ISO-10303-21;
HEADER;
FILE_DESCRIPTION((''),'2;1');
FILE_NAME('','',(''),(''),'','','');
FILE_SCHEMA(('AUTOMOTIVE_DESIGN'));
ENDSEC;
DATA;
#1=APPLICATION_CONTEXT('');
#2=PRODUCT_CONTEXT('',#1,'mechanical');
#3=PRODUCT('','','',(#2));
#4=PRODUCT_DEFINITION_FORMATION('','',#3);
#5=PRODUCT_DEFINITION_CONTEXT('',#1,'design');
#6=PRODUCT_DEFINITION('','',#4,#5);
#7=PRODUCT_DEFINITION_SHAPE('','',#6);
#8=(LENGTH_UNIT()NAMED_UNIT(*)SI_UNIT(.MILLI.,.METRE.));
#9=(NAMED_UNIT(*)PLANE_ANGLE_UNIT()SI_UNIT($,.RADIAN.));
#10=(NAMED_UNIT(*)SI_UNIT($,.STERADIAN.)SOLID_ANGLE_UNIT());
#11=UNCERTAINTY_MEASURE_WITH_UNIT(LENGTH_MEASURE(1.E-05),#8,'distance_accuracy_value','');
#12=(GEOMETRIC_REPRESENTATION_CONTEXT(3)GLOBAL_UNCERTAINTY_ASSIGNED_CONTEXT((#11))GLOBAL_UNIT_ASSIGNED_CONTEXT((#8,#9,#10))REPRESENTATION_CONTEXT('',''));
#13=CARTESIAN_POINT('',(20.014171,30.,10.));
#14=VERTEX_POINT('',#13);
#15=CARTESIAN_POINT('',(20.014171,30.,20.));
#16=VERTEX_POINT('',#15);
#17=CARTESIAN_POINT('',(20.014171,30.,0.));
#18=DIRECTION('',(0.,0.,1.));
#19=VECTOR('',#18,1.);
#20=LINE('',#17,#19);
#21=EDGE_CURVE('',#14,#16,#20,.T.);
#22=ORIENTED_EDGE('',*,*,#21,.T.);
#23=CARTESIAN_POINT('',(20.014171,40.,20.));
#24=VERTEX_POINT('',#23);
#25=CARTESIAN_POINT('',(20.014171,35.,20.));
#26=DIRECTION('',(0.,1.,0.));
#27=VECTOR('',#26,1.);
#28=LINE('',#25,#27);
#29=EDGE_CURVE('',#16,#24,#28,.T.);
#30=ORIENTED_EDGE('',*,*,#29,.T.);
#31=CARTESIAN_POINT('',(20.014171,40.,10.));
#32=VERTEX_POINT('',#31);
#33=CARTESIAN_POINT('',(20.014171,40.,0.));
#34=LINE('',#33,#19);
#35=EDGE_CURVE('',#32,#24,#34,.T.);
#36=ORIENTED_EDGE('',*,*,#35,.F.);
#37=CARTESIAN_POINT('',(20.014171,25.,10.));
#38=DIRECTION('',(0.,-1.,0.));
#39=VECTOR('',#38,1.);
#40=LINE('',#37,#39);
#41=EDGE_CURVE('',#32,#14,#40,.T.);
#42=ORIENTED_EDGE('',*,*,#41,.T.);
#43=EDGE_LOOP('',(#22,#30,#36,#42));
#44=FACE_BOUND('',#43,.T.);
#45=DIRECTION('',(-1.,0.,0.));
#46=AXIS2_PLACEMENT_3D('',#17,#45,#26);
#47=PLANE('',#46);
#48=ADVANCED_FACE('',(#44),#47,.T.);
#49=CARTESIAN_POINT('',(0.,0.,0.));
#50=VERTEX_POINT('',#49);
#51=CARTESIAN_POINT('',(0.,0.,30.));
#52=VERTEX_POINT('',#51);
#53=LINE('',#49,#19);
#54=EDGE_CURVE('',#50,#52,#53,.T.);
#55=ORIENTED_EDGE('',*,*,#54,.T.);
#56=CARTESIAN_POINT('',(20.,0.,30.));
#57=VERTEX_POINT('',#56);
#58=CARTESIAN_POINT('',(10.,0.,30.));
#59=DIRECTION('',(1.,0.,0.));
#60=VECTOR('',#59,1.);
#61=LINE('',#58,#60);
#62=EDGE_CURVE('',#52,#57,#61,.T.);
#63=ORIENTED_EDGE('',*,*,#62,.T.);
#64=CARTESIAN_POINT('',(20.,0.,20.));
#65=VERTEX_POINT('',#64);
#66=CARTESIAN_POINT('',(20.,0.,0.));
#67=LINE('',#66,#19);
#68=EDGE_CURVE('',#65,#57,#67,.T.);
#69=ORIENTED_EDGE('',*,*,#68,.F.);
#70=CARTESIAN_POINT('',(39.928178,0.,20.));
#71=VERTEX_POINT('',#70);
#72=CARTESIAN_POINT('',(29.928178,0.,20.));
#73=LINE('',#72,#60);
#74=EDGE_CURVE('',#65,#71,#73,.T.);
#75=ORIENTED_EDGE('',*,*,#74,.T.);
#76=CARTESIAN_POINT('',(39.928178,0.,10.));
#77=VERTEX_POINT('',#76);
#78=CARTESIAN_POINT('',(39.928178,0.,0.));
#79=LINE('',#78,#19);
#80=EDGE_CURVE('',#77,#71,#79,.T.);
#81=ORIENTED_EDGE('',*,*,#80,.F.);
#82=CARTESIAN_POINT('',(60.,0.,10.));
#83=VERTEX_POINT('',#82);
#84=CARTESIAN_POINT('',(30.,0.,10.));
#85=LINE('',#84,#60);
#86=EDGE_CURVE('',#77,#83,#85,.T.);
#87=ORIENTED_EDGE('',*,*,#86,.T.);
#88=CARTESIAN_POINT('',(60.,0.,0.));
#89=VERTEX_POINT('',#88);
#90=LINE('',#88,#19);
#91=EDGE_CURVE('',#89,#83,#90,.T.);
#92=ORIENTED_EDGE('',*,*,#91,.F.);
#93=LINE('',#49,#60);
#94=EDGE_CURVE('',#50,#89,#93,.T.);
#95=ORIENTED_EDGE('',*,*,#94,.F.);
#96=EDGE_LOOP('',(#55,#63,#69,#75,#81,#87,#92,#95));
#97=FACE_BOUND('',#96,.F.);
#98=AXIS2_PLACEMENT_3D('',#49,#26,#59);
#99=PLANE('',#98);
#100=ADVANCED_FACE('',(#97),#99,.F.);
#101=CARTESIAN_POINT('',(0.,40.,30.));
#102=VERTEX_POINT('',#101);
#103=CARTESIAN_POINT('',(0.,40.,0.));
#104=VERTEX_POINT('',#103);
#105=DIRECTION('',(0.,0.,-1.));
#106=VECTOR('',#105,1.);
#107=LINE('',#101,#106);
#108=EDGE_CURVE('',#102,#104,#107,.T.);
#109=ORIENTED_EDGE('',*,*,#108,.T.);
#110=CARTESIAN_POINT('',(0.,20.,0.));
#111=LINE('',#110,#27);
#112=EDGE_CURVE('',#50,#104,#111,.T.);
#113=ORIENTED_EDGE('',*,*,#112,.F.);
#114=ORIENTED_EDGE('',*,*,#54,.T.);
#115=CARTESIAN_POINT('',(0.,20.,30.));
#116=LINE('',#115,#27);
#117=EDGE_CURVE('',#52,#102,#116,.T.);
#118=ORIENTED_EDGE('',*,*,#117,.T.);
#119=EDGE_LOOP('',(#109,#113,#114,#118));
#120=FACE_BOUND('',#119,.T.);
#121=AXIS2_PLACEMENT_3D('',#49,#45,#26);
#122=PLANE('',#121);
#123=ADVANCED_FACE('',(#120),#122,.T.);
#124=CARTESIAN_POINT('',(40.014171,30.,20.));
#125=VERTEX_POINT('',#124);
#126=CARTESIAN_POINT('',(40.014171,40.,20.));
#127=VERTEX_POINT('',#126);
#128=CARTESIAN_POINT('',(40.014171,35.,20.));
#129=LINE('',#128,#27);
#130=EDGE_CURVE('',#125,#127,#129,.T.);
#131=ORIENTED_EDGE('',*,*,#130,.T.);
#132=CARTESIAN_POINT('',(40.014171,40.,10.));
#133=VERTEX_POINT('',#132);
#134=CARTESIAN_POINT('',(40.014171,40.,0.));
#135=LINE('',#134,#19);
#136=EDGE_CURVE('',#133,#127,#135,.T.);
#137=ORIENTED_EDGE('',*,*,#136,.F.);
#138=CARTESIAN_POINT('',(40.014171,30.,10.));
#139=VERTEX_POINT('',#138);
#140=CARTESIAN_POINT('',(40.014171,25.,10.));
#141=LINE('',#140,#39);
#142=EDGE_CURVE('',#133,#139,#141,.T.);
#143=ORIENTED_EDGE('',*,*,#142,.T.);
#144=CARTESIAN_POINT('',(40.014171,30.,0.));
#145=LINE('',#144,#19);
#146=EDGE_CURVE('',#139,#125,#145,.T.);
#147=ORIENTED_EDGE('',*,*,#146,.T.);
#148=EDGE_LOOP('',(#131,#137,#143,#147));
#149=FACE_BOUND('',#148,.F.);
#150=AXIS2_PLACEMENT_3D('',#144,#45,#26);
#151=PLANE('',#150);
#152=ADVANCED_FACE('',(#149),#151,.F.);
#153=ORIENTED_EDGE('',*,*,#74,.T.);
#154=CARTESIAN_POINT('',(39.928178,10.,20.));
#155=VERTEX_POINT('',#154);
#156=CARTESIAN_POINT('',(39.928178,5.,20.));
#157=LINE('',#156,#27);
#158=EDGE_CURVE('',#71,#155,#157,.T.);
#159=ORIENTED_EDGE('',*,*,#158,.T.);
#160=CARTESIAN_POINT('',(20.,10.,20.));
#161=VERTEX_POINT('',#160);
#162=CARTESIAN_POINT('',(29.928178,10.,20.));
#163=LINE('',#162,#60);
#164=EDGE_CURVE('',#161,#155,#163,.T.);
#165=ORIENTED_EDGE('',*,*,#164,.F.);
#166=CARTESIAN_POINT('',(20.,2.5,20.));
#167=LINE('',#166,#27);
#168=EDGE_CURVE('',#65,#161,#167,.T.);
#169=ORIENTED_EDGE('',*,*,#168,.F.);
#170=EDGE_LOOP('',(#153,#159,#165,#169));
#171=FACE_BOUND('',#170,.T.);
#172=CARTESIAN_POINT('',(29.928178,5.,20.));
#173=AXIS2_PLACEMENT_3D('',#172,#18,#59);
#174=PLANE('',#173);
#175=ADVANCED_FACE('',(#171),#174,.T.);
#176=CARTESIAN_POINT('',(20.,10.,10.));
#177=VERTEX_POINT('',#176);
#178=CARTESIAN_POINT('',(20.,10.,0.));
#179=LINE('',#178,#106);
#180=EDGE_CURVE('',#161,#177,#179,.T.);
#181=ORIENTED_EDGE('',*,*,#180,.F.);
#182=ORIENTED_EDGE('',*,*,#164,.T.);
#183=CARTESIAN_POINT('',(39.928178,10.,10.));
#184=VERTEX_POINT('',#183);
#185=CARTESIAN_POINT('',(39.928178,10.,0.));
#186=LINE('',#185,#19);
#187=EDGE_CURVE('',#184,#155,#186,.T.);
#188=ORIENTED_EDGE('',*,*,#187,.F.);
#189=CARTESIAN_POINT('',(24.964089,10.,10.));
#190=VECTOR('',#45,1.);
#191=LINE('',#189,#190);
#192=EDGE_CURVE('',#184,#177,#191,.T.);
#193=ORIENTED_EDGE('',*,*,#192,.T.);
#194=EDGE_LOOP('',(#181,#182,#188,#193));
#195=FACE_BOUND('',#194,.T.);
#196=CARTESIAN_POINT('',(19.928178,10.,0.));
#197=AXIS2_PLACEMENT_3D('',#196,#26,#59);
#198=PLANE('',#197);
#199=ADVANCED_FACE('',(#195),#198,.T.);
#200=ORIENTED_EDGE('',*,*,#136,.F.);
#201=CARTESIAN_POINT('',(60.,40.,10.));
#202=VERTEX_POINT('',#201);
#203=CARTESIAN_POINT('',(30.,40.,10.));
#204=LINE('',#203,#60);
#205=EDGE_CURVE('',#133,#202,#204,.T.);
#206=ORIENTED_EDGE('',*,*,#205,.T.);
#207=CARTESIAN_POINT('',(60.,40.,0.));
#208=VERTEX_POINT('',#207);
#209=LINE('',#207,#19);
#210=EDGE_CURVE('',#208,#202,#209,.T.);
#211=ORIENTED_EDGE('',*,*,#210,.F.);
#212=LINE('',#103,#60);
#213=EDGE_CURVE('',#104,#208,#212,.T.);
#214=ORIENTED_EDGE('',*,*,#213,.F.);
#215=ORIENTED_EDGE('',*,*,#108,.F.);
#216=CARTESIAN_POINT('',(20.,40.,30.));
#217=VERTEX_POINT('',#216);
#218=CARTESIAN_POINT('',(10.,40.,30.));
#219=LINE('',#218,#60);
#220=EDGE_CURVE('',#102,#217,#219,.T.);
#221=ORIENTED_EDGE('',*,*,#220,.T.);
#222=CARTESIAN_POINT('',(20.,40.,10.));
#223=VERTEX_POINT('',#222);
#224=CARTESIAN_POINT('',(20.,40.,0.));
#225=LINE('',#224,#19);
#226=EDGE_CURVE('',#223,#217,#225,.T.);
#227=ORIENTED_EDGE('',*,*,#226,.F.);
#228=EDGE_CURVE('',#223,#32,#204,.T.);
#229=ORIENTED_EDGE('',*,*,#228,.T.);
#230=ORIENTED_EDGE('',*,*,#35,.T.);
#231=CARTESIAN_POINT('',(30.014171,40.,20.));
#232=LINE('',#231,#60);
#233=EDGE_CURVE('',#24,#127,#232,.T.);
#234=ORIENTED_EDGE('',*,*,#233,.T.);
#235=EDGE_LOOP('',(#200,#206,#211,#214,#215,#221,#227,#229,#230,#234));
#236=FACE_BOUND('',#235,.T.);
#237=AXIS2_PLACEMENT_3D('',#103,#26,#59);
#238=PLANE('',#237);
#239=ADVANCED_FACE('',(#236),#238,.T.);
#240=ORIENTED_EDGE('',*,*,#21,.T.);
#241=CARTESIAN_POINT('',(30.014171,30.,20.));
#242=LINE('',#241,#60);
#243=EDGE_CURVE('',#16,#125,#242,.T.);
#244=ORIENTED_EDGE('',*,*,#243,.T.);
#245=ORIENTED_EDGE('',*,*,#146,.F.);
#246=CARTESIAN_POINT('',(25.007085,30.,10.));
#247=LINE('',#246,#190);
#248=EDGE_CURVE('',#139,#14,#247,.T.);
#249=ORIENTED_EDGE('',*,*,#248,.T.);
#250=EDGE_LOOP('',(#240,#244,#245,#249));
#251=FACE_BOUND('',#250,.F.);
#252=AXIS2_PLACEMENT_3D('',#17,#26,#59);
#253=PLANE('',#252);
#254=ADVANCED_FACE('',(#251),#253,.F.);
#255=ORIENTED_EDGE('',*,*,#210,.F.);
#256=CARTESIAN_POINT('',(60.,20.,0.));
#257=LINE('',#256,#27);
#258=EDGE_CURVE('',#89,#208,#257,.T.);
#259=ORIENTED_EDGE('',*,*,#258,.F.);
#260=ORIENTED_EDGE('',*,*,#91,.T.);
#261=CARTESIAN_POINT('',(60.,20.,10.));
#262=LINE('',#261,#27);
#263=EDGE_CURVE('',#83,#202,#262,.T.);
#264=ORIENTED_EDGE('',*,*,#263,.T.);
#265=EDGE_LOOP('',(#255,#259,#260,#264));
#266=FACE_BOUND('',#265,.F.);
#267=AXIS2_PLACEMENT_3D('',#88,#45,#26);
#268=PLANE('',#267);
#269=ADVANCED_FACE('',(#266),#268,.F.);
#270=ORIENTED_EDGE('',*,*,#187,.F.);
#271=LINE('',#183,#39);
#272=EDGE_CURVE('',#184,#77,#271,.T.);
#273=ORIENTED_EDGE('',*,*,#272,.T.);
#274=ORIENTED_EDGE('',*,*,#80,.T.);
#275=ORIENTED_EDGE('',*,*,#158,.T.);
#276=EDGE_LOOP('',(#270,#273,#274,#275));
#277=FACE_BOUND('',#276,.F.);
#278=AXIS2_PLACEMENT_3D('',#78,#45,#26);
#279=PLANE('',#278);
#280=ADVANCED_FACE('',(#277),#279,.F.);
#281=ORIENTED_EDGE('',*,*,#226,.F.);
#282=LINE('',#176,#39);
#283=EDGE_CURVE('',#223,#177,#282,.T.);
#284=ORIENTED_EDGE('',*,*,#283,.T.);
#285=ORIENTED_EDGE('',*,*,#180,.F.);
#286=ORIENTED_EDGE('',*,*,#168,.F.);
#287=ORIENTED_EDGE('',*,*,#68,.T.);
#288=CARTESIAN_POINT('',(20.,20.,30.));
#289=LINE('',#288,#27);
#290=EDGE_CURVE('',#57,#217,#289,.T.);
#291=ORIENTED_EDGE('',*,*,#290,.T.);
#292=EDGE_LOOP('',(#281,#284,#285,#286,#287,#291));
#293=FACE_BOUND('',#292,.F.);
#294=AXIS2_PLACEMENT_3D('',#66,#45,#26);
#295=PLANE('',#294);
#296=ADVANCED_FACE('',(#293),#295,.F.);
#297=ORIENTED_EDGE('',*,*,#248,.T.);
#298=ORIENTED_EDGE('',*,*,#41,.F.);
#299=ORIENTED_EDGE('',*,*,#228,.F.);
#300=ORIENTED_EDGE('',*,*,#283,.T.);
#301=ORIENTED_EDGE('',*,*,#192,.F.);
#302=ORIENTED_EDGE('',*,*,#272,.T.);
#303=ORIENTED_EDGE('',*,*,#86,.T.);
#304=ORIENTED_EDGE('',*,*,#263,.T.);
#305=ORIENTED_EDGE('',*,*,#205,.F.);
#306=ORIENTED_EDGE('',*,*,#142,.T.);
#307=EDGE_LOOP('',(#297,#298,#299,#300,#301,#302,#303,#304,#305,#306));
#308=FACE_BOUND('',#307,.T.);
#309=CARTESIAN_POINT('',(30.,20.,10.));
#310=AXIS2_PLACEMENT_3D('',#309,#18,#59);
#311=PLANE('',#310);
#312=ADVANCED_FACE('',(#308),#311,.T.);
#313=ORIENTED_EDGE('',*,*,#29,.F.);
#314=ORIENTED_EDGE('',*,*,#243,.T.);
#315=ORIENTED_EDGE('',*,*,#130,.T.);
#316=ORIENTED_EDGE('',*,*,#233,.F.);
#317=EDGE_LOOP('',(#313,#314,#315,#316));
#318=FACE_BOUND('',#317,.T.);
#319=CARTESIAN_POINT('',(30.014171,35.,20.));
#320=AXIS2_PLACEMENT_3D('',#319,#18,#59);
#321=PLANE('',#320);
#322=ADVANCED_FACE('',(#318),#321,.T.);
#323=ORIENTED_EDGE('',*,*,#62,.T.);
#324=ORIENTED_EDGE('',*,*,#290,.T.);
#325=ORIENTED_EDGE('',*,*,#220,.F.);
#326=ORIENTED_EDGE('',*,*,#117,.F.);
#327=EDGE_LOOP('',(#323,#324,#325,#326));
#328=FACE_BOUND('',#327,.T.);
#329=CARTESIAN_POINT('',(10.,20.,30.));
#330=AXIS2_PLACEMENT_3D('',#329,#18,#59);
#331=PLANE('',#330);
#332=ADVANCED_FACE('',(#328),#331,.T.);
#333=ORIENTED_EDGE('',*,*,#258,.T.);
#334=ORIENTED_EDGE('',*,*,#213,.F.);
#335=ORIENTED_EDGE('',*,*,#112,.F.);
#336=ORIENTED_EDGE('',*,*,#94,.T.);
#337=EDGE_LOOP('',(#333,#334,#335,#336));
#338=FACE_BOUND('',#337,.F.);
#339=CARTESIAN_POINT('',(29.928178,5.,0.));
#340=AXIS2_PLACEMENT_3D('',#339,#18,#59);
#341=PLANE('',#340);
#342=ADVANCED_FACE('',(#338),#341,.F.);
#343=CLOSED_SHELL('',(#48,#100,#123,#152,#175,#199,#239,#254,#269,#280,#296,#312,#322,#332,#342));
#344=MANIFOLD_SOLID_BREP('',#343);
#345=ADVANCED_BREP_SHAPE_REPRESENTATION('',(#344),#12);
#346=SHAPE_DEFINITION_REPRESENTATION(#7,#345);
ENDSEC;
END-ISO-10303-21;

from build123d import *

# Parameters (mm, degrees)
F0_W     = 60
F0_H     = 40
F3_DEPTH = 10
F1_W     = 20
F1_H     = 40
F4_DEPTH = 30
F2_W     = 20
F2_H     = 10
F5_DEPTH = 20


with BuildPart() as f3:
    # F0 (on Top) → F3 (new body)
    with BuildSketch(Plane.XY):
        with Locations((30, 20)):
            Rectangle(F0_W, F0_H)
    extrude(amount=F3_DEPTH)

    # F1 (on Top) → F4 (join)
    with BuildSketch(Plane.XY):
        with Locations((10, 20)):
            Rectangle(F1_W, F1_H)
    extrude(amount=F4_DEPTH)

    # F2 (on Top) → F5 (join)
    with BuildSketch(Plane.XY):
        with Locations((29.928178, 5)):
            Rectangle(F2_W, F2_H)
        with Locations((30.014171, 35)):
            Rectangle(F2_W, F2_H)
    extrude(amount=F5_DEPTH)


solid = f3.part
